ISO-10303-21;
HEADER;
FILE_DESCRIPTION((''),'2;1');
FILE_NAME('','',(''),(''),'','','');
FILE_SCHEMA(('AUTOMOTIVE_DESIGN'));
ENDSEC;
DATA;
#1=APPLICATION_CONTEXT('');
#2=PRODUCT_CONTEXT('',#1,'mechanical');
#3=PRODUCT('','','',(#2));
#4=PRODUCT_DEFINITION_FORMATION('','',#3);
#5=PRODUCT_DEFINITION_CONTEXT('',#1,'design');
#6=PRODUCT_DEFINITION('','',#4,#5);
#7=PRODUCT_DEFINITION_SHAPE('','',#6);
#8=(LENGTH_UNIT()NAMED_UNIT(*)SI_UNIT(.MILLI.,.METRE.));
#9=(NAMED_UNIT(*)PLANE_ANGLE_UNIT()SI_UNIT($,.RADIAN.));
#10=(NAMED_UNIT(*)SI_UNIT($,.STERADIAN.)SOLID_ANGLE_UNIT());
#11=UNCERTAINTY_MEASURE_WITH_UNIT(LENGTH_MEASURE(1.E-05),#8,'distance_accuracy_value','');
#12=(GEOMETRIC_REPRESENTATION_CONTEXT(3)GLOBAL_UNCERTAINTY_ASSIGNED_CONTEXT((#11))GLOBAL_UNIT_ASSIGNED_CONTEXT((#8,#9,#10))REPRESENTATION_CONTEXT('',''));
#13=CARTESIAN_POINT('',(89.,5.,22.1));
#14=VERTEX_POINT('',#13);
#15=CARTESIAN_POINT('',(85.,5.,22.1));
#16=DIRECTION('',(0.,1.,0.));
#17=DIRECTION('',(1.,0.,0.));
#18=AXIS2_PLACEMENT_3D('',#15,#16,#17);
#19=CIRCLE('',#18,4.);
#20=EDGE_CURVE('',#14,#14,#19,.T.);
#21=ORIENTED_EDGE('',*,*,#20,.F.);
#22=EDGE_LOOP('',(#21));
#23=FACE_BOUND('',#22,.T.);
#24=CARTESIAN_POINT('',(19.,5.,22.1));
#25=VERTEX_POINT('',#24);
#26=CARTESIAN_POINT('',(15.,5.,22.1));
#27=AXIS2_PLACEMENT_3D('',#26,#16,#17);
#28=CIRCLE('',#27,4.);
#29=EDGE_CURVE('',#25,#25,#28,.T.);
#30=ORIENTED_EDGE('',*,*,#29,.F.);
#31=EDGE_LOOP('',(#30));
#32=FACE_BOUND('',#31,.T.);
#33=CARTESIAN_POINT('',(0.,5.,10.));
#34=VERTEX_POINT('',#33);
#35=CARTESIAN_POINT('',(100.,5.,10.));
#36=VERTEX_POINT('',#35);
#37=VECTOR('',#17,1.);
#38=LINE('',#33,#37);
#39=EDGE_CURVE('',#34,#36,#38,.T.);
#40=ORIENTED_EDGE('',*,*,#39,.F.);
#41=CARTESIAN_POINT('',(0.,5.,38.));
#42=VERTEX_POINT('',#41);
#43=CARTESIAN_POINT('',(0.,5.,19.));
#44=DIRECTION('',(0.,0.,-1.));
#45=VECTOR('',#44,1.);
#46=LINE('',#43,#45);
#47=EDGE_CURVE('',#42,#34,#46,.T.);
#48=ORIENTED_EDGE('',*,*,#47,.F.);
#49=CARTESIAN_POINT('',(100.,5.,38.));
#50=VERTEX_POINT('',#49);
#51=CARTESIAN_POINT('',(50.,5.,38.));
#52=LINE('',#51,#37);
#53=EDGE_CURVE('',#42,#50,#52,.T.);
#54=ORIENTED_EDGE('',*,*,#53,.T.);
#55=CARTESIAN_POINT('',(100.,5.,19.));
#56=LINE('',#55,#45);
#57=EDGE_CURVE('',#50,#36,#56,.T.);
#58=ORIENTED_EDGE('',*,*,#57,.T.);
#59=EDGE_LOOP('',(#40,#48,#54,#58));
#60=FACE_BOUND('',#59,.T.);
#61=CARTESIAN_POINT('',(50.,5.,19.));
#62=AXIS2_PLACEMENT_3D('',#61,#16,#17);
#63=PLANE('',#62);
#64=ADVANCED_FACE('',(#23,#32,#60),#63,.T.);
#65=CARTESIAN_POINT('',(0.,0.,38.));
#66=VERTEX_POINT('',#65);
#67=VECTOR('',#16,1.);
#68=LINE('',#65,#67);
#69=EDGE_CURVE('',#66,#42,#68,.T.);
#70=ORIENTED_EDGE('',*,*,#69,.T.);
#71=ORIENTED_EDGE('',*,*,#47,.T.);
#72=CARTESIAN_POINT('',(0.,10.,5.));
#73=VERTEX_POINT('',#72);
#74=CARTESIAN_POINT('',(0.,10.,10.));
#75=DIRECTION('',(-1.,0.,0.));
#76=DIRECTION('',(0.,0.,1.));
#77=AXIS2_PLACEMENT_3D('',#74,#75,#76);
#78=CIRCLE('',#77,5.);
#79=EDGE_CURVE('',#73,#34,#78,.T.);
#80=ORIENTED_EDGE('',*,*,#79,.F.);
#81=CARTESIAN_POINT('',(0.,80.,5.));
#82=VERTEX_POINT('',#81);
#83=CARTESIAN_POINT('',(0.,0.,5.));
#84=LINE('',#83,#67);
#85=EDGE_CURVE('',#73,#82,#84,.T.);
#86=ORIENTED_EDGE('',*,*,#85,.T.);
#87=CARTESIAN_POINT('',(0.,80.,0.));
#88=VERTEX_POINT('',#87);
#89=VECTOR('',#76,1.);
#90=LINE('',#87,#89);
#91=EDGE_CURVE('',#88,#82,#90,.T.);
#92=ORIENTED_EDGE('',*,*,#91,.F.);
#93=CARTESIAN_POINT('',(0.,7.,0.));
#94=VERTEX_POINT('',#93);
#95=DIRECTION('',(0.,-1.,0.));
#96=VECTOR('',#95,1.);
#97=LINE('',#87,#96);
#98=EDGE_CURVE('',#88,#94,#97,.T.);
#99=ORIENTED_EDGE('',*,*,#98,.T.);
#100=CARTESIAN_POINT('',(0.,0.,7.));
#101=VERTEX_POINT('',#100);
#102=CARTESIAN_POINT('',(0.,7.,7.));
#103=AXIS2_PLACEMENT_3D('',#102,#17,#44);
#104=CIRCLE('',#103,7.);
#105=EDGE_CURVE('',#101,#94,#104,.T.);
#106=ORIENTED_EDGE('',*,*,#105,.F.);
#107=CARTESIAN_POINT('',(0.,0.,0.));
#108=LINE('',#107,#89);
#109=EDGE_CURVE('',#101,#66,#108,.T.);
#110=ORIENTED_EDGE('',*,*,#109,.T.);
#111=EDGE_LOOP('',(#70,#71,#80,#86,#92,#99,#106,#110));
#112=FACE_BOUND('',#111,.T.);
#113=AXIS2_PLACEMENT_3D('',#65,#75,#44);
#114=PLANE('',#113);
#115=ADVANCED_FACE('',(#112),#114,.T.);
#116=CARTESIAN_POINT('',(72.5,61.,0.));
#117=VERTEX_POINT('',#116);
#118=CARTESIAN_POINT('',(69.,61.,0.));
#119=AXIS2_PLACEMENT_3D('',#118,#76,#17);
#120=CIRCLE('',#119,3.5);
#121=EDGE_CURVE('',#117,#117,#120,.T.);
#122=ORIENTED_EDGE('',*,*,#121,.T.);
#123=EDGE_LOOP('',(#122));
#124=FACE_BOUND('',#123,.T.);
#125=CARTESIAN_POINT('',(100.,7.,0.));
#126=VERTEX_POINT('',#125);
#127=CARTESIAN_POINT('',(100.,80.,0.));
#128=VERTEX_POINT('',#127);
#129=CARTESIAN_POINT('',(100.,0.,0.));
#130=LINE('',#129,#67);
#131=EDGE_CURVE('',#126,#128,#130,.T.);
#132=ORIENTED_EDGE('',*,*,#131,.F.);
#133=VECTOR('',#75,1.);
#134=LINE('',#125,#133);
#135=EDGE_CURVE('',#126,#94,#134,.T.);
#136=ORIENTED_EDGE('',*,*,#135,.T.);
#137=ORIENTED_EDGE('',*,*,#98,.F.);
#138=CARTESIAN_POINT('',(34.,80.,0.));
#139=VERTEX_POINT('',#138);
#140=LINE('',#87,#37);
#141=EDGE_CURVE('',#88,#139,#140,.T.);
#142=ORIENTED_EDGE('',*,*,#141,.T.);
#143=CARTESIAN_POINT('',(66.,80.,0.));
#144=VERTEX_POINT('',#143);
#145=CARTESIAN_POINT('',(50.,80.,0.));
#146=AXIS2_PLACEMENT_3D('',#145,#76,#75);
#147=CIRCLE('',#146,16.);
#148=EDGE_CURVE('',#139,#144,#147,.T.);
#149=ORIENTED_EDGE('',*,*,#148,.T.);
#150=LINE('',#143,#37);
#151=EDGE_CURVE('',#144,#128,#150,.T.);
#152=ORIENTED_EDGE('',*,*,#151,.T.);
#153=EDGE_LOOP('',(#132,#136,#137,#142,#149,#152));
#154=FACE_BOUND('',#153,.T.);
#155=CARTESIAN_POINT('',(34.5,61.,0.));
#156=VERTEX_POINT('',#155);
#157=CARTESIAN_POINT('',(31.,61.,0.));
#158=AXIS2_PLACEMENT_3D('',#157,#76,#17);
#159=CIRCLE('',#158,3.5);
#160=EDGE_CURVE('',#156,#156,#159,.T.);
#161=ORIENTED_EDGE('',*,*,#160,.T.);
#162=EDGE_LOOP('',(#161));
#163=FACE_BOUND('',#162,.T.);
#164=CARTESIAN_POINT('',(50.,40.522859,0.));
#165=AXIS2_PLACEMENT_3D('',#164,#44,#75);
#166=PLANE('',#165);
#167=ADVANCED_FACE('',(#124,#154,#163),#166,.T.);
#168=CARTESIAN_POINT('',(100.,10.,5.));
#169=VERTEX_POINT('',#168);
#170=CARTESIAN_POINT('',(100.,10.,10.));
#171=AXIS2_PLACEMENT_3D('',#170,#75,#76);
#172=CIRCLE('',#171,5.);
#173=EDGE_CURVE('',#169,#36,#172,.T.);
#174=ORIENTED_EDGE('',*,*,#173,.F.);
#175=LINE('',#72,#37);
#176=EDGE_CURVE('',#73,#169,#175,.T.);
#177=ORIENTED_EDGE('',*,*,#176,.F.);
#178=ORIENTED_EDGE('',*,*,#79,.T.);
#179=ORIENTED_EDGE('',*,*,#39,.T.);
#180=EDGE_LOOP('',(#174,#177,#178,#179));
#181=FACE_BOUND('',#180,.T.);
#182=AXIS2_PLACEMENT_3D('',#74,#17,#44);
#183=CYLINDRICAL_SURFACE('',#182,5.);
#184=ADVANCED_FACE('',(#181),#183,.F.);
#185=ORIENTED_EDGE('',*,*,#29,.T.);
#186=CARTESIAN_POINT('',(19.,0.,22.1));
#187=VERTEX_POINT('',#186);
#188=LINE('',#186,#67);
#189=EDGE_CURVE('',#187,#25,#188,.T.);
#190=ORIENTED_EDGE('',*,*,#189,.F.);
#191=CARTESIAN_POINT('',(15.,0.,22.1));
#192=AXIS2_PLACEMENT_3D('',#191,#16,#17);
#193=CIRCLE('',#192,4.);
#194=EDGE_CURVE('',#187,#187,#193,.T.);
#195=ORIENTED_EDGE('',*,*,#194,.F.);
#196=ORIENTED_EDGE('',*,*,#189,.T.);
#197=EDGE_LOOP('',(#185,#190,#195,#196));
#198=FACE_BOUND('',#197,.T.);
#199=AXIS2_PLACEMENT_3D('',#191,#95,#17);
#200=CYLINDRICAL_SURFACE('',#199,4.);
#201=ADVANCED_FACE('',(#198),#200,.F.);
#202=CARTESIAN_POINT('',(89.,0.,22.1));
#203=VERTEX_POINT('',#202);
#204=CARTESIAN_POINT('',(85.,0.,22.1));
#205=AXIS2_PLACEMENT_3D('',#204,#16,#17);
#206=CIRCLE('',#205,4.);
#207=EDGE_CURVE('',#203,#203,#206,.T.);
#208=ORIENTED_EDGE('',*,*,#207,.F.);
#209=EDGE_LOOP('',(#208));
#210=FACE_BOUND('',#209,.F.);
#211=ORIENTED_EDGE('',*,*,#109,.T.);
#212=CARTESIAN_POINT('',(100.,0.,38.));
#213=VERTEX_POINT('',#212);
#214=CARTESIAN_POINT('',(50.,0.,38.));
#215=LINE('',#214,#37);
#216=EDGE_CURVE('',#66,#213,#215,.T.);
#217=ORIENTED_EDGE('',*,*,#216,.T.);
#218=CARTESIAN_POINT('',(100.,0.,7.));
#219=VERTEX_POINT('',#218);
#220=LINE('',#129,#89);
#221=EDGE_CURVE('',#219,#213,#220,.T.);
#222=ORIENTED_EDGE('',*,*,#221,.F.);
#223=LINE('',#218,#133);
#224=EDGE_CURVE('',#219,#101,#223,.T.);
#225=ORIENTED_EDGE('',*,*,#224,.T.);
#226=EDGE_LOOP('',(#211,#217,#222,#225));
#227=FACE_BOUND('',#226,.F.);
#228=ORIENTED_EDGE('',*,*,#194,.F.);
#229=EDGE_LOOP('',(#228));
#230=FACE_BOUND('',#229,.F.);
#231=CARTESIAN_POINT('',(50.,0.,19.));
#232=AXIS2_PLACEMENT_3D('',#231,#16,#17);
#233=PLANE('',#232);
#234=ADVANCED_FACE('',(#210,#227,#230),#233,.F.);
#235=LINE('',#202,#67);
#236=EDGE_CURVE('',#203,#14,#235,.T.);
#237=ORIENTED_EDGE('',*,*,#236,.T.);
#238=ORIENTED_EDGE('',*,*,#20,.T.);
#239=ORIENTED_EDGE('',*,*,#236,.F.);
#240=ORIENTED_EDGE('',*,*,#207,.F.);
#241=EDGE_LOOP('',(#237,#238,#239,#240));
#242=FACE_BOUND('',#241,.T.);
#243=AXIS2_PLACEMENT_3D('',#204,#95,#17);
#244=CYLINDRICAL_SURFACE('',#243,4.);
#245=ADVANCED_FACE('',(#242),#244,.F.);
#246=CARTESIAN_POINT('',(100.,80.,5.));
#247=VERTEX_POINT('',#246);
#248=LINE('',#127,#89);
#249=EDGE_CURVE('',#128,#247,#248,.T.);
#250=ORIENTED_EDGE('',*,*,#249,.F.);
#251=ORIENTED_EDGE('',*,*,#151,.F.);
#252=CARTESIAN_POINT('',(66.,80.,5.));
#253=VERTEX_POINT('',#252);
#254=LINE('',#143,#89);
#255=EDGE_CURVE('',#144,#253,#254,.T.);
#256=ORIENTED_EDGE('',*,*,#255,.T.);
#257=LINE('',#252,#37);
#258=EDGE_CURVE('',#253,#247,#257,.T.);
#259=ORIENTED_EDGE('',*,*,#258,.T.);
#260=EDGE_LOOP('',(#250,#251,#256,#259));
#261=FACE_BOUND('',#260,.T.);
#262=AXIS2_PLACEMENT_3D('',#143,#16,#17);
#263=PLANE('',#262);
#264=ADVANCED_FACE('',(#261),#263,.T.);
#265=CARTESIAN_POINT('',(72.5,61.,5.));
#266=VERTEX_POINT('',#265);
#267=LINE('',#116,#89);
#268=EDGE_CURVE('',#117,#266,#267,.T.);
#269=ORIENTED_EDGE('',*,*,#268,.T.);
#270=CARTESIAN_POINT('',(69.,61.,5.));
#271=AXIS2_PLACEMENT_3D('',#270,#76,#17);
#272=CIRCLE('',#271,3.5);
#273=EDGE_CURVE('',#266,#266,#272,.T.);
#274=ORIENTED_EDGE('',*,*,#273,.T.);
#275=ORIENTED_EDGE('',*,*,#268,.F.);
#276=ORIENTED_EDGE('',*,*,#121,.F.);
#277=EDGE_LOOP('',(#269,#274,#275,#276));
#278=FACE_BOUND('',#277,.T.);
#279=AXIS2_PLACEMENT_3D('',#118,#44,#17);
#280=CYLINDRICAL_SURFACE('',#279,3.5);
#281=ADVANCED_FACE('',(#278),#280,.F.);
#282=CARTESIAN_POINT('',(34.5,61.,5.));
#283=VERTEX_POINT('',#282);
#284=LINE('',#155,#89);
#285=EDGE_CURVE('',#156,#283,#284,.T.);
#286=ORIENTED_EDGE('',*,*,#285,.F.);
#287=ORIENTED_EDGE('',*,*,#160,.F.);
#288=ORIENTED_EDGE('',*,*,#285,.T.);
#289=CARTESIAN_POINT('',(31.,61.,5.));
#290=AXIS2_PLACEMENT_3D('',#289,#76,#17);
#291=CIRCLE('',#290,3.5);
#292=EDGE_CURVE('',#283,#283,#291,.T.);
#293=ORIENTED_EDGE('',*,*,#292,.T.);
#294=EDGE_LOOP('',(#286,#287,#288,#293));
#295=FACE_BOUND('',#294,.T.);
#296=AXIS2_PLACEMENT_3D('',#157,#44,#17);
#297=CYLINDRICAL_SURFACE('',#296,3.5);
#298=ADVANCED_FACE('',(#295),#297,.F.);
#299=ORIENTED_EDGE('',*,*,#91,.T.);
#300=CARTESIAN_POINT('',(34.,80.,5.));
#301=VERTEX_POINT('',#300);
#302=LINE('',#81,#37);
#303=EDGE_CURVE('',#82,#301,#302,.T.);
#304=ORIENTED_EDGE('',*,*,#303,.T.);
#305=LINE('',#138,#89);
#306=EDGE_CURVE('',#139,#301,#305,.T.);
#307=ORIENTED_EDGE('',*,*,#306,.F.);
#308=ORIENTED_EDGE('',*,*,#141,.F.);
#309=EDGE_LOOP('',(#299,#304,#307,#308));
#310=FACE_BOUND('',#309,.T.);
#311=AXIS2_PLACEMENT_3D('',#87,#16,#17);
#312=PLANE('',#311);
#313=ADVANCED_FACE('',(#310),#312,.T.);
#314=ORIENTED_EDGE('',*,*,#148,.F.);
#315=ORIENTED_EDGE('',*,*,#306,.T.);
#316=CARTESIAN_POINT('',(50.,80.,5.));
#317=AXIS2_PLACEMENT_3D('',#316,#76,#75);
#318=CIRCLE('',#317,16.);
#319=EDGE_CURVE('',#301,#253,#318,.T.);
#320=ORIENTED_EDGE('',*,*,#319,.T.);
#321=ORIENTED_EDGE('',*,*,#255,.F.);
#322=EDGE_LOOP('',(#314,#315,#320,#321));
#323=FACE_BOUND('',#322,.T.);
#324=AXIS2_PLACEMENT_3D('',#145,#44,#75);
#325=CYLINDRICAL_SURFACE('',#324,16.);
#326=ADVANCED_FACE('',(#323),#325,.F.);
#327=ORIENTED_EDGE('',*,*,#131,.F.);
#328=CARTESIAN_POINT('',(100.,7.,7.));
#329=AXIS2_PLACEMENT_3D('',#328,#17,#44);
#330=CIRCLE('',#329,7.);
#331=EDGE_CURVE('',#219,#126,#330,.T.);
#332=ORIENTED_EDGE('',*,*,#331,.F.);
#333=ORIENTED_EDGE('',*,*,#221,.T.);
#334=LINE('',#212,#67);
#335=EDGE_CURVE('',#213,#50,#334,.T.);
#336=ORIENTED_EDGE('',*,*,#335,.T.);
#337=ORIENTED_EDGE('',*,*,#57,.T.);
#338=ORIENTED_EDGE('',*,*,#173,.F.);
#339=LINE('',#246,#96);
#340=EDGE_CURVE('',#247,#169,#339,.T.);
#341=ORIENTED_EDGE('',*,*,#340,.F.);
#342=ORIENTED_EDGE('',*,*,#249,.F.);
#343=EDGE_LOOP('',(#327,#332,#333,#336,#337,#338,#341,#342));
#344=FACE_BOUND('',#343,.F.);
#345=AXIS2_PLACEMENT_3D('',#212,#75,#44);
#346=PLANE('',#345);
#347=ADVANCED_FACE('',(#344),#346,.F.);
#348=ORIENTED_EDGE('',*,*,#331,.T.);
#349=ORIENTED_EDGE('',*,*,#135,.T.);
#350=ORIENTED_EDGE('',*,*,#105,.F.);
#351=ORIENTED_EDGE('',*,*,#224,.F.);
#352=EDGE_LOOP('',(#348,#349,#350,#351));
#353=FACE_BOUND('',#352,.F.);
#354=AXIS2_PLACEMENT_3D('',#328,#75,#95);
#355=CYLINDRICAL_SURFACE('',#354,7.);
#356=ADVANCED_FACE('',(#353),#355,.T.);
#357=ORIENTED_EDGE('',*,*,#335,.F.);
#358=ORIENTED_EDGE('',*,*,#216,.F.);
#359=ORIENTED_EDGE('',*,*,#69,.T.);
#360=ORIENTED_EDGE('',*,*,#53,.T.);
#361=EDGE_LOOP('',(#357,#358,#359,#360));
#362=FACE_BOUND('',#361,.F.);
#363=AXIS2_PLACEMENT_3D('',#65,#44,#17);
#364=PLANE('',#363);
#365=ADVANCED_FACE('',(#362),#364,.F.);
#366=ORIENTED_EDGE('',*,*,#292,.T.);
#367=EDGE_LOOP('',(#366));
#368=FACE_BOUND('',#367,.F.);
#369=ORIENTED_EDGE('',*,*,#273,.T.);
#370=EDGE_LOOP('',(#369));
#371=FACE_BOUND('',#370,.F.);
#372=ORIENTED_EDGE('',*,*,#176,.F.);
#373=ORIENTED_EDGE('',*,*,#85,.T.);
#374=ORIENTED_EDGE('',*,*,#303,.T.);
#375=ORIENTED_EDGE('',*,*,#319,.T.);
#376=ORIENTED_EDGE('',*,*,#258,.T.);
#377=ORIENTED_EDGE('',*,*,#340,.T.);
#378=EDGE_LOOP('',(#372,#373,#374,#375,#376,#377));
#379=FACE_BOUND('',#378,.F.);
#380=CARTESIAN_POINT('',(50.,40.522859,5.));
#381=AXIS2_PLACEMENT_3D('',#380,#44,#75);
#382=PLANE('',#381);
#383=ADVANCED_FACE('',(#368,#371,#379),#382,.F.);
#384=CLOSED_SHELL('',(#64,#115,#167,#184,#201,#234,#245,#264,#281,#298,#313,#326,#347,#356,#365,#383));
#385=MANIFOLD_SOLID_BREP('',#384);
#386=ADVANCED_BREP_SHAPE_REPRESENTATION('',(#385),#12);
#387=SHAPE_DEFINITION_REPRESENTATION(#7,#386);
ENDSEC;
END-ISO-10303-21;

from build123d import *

# Parameters (mm, degrees)
SCHIZZO1_R                   = 3.5
ESTRUSIONE_ESTRUSIONE1_DEPTH = 5
SCHIZZO3_W                   = 100
SCHIZZO3_H                   = 38
SCHIZZO3_R                   = 4
ESTRUSIONE_ESTRUSIONE2_DEPTH = 5
RACCORDO1_R                  = 5
RACCORDO2_R                  = 7


with BuildPart() as part:
    # Schizzo1 → Estrusione-Estrusione1 (new body)
    with BuildSketch(Plane.XY):
        with BuildLine():
            Line((66, 80), (100, 80))
            Line((100, 80), (100, 0))
            Line((100, 0), (0, 0))
            Line((0, 0), (0, 80))
            Line((0, 80), (34, 80))
            ThreePointArc((34, 80), (50, 64), (66, 80))
        make_face()
        with Locations((31, 61)):
            Circle(SCHIZZO1_R, mode=Mode.SUBTRACT)
        with Locations((69, 61)):
            Circle(SCHIZZO1_R, mode=Mode.SUBTRACT)
    extrude(amount=ESTRUSIONE_ESTRUSIONE1_DEPTH)

    # Schizzo3 → Estrusione-Estrusione2 (add)
    with BuildSketch(Plane(origin=(0, 0, 0), x_dir=(1, 0, 0), z_dir=(0, 1, 0))):
        with Locations((50, -19)):
            Rectangle(SCHIZZO3_W, SCHIZZO3_H)
        with Locations((15, -22.1)):
            Circle(SCHIZZO3_R, mode=Mode.SUBTRACT)
        with Locations((85, -22.1)):
            Circle(SCHIZZO3_R, mode=Mode.SUBTRACT)
    extrude(amount=ESTRUSIONE_ESTRUSIONE2_DEPTH)

    # Raccordo1
    raccordo1_edges = [part.edges().sort_by_distance(p)[0] for p in [
        (50, 5, 5),
    ]]
    fillet(raccordo1_edges, radius=RACCORDO1_R)

    # Raccordo2
    raccordo2_edges = [part.edges().sort_by_distance(p)[0] for p in [
        (50, 0, 0),
    ]]
    fillet(raccordo2_edges, radius=RACCORDO2_R)


solid = part.part
